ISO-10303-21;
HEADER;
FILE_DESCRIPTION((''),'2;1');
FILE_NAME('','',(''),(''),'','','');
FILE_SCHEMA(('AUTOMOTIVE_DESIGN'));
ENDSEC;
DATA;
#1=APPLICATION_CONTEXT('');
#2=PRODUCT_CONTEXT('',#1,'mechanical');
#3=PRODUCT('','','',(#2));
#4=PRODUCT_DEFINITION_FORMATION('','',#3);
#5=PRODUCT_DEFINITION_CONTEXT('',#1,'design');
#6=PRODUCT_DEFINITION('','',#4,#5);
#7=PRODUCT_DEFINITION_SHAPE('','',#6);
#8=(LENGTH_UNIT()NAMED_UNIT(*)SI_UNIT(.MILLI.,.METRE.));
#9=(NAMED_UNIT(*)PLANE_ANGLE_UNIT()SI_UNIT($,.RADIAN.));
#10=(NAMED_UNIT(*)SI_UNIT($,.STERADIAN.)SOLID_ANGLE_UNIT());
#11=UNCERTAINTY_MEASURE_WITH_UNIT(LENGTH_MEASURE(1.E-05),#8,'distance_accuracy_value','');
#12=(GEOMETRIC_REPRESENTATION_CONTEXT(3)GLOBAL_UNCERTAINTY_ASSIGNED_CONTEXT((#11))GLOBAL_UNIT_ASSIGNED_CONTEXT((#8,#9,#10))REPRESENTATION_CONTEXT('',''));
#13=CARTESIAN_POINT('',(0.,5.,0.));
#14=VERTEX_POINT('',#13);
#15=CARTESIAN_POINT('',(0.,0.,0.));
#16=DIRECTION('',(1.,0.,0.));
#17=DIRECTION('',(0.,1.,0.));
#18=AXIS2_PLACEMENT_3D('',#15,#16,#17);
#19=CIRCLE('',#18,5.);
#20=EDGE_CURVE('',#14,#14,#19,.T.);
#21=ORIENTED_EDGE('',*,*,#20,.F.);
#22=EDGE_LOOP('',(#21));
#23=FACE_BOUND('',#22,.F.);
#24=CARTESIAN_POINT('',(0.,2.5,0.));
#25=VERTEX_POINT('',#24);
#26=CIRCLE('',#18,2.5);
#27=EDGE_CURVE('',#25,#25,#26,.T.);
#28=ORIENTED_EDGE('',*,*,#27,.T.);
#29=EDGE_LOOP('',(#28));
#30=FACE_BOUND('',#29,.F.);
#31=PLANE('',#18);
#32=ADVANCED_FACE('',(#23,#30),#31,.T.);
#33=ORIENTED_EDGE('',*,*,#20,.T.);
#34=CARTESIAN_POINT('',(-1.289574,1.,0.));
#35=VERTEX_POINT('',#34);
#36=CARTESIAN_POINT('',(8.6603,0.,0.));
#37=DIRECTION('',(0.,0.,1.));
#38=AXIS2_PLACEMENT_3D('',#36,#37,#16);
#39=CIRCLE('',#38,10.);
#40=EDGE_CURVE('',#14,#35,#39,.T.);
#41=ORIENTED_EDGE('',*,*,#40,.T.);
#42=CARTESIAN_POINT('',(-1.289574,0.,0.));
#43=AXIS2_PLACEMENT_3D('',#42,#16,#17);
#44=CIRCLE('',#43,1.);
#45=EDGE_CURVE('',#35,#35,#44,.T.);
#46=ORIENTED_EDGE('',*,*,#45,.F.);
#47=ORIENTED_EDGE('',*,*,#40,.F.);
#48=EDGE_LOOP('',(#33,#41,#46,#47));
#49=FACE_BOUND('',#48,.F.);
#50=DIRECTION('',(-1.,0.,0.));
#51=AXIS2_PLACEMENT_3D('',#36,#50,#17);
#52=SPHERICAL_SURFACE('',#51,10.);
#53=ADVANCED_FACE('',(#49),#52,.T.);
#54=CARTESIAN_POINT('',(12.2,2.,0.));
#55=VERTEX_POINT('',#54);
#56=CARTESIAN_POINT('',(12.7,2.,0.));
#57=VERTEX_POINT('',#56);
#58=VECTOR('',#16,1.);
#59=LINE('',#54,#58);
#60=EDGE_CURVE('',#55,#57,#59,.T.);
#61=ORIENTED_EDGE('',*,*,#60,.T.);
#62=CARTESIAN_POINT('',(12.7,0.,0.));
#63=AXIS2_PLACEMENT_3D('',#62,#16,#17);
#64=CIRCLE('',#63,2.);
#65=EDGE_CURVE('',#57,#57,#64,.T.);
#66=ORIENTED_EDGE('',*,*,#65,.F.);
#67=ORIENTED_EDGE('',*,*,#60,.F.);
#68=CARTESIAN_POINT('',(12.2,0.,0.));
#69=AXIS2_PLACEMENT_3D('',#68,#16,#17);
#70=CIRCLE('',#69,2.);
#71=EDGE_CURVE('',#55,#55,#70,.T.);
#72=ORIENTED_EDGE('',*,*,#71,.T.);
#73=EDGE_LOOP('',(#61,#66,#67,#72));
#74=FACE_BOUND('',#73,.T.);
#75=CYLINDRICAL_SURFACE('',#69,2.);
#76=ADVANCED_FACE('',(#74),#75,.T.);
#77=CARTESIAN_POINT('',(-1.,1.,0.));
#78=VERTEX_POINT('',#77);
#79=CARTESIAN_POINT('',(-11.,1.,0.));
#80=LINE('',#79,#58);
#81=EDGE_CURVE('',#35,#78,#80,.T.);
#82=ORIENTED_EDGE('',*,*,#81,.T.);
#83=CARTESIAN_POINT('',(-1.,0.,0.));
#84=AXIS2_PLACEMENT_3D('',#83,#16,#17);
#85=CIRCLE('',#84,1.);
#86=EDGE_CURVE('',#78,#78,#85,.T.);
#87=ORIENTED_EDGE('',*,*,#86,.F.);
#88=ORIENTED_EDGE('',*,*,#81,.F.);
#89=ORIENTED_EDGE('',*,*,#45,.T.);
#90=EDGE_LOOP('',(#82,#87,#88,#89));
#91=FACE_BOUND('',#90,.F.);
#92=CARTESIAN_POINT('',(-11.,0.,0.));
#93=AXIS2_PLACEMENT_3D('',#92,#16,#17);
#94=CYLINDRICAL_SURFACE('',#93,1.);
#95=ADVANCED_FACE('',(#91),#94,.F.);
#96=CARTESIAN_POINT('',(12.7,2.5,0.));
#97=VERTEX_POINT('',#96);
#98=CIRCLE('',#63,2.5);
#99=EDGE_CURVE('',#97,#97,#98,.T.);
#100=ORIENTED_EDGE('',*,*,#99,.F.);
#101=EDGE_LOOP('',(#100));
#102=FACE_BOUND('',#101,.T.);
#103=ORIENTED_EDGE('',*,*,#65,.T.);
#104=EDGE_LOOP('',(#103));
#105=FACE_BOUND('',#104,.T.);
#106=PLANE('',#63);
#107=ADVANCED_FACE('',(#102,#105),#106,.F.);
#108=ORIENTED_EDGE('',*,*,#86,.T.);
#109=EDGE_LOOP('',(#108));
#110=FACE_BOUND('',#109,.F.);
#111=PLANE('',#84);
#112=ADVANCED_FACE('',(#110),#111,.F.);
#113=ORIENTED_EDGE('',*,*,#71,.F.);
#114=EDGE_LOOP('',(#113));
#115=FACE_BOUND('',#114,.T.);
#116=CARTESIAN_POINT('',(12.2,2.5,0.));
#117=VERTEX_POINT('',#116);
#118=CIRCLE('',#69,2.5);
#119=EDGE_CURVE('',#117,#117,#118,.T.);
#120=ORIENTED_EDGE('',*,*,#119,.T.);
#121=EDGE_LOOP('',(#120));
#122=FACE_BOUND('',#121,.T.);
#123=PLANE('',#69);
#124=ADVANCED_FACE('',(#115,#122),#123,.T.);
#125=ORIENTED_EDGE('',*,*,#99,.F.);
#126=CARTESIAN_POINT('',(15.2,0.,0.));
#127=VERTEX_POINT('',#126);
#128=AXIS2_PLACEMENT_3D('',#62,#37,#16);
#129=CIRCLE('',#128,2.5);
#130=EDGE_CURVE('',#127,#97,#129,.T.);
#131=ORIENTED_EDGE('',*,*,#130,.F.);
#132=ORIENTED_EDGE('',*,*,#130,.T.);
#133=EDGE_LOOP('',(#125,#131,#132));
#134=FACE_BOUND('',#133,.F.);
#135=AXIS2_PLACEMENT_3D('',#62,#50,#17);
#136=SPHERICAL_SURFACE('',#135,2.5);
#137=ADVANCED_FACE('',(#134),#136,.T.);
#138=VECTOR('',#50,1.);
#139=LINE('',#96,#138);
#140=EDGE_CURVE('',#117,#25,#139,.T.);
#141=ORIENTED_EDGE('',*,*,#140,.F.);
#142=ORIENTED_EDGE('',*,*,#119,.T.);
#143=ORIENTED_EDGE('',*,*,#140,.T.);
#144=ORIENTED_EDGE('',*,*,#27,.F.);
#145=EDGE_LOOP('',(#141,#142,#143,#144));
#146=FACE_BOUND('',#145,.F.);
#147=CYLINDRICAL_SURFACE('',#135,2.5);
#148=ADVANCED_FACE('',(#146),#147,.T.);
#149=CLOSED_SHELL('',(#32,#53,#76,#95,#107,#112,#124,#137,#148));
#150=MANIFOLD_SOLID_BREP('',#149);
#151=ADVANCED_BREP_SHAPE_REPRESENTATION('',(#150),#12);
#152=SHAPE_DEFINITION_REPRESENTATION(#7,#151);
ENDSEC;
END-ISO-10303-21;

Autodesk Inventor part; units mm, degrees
ref_plane "YZ Plane" through (0, 0, 0) normal (1, 0, 0) x (0, 1, 0)
ref_plane "XZ Plane" through (0, 0, 0) normal (0, 1, 0) x (-1, 0, 0)
ref_plane "XY Plane" through (0, 0, 0) normal (0, 0, 1) x (1, 0, 0)
sketch "Sketch1" plane through (0, 0, 0) normal (0, 0, 1) x (1, 0, 0)
  line L0 (0, 0) -> (0, 5)
  line L1 (0, 0) -> (12.7, 0)
  line L2 (12.7, 0) -> (12.7, 2.5)
  line L3 (12.7, 2.5) -> (0, 2.5)
  line L4 (0, 2.5) -> (0, 0)
  circle A0 centre (8.6603, 0) radius 10
  line L5 (-11, 1) -> (-1, 1)
  line L6 (-1, 1) -> (-1, -1)
  line L7 (-1, -1) -> (-11, -1)
  line L8 (-11, -1) -> (-11, 1)
  line L9 (0, 0) -> (-1, 0)
  line L10 (12.7, 2.5) -> (12.2, 2.5)
  line L11 (12.2, 2.5) -> (12.2, 2)
  line L12 (12.2, 2) -> (12.7, 2)
  line L13 (12.7, 2) -> (12.7, 2.5)
  circle A1 centre (12.7, 0) radius 2.5
  line L14 (12.7, 0) -> (15.2, 0)
  point P0 (-1.2896, 1)
  dimension "d3" = 20
  dimension "d0" = 5
  dimension "d1" = 12.7
  dimension "d2" = 2.5
  dimension "d4" = 1
  dimension "d5" = 1
  dimension "d6" = 1
  dimension "d7" = 10
  dimension "d8" = 0.5
  dimension "d9" = 0.5
revolve "Revolution1" add sketch "Sketch1" angle 360 about axis through (0, 0, 0) along (1, 0, 0) contours L9 L6 L5 A0 L0 | L0 L3 L11 A1 L1 | A1 L11 L12 L2 L1 | L2 A1 L14
equation "\"d6\" = d4"
properties part number "M5 x 12.7 Rivet"
